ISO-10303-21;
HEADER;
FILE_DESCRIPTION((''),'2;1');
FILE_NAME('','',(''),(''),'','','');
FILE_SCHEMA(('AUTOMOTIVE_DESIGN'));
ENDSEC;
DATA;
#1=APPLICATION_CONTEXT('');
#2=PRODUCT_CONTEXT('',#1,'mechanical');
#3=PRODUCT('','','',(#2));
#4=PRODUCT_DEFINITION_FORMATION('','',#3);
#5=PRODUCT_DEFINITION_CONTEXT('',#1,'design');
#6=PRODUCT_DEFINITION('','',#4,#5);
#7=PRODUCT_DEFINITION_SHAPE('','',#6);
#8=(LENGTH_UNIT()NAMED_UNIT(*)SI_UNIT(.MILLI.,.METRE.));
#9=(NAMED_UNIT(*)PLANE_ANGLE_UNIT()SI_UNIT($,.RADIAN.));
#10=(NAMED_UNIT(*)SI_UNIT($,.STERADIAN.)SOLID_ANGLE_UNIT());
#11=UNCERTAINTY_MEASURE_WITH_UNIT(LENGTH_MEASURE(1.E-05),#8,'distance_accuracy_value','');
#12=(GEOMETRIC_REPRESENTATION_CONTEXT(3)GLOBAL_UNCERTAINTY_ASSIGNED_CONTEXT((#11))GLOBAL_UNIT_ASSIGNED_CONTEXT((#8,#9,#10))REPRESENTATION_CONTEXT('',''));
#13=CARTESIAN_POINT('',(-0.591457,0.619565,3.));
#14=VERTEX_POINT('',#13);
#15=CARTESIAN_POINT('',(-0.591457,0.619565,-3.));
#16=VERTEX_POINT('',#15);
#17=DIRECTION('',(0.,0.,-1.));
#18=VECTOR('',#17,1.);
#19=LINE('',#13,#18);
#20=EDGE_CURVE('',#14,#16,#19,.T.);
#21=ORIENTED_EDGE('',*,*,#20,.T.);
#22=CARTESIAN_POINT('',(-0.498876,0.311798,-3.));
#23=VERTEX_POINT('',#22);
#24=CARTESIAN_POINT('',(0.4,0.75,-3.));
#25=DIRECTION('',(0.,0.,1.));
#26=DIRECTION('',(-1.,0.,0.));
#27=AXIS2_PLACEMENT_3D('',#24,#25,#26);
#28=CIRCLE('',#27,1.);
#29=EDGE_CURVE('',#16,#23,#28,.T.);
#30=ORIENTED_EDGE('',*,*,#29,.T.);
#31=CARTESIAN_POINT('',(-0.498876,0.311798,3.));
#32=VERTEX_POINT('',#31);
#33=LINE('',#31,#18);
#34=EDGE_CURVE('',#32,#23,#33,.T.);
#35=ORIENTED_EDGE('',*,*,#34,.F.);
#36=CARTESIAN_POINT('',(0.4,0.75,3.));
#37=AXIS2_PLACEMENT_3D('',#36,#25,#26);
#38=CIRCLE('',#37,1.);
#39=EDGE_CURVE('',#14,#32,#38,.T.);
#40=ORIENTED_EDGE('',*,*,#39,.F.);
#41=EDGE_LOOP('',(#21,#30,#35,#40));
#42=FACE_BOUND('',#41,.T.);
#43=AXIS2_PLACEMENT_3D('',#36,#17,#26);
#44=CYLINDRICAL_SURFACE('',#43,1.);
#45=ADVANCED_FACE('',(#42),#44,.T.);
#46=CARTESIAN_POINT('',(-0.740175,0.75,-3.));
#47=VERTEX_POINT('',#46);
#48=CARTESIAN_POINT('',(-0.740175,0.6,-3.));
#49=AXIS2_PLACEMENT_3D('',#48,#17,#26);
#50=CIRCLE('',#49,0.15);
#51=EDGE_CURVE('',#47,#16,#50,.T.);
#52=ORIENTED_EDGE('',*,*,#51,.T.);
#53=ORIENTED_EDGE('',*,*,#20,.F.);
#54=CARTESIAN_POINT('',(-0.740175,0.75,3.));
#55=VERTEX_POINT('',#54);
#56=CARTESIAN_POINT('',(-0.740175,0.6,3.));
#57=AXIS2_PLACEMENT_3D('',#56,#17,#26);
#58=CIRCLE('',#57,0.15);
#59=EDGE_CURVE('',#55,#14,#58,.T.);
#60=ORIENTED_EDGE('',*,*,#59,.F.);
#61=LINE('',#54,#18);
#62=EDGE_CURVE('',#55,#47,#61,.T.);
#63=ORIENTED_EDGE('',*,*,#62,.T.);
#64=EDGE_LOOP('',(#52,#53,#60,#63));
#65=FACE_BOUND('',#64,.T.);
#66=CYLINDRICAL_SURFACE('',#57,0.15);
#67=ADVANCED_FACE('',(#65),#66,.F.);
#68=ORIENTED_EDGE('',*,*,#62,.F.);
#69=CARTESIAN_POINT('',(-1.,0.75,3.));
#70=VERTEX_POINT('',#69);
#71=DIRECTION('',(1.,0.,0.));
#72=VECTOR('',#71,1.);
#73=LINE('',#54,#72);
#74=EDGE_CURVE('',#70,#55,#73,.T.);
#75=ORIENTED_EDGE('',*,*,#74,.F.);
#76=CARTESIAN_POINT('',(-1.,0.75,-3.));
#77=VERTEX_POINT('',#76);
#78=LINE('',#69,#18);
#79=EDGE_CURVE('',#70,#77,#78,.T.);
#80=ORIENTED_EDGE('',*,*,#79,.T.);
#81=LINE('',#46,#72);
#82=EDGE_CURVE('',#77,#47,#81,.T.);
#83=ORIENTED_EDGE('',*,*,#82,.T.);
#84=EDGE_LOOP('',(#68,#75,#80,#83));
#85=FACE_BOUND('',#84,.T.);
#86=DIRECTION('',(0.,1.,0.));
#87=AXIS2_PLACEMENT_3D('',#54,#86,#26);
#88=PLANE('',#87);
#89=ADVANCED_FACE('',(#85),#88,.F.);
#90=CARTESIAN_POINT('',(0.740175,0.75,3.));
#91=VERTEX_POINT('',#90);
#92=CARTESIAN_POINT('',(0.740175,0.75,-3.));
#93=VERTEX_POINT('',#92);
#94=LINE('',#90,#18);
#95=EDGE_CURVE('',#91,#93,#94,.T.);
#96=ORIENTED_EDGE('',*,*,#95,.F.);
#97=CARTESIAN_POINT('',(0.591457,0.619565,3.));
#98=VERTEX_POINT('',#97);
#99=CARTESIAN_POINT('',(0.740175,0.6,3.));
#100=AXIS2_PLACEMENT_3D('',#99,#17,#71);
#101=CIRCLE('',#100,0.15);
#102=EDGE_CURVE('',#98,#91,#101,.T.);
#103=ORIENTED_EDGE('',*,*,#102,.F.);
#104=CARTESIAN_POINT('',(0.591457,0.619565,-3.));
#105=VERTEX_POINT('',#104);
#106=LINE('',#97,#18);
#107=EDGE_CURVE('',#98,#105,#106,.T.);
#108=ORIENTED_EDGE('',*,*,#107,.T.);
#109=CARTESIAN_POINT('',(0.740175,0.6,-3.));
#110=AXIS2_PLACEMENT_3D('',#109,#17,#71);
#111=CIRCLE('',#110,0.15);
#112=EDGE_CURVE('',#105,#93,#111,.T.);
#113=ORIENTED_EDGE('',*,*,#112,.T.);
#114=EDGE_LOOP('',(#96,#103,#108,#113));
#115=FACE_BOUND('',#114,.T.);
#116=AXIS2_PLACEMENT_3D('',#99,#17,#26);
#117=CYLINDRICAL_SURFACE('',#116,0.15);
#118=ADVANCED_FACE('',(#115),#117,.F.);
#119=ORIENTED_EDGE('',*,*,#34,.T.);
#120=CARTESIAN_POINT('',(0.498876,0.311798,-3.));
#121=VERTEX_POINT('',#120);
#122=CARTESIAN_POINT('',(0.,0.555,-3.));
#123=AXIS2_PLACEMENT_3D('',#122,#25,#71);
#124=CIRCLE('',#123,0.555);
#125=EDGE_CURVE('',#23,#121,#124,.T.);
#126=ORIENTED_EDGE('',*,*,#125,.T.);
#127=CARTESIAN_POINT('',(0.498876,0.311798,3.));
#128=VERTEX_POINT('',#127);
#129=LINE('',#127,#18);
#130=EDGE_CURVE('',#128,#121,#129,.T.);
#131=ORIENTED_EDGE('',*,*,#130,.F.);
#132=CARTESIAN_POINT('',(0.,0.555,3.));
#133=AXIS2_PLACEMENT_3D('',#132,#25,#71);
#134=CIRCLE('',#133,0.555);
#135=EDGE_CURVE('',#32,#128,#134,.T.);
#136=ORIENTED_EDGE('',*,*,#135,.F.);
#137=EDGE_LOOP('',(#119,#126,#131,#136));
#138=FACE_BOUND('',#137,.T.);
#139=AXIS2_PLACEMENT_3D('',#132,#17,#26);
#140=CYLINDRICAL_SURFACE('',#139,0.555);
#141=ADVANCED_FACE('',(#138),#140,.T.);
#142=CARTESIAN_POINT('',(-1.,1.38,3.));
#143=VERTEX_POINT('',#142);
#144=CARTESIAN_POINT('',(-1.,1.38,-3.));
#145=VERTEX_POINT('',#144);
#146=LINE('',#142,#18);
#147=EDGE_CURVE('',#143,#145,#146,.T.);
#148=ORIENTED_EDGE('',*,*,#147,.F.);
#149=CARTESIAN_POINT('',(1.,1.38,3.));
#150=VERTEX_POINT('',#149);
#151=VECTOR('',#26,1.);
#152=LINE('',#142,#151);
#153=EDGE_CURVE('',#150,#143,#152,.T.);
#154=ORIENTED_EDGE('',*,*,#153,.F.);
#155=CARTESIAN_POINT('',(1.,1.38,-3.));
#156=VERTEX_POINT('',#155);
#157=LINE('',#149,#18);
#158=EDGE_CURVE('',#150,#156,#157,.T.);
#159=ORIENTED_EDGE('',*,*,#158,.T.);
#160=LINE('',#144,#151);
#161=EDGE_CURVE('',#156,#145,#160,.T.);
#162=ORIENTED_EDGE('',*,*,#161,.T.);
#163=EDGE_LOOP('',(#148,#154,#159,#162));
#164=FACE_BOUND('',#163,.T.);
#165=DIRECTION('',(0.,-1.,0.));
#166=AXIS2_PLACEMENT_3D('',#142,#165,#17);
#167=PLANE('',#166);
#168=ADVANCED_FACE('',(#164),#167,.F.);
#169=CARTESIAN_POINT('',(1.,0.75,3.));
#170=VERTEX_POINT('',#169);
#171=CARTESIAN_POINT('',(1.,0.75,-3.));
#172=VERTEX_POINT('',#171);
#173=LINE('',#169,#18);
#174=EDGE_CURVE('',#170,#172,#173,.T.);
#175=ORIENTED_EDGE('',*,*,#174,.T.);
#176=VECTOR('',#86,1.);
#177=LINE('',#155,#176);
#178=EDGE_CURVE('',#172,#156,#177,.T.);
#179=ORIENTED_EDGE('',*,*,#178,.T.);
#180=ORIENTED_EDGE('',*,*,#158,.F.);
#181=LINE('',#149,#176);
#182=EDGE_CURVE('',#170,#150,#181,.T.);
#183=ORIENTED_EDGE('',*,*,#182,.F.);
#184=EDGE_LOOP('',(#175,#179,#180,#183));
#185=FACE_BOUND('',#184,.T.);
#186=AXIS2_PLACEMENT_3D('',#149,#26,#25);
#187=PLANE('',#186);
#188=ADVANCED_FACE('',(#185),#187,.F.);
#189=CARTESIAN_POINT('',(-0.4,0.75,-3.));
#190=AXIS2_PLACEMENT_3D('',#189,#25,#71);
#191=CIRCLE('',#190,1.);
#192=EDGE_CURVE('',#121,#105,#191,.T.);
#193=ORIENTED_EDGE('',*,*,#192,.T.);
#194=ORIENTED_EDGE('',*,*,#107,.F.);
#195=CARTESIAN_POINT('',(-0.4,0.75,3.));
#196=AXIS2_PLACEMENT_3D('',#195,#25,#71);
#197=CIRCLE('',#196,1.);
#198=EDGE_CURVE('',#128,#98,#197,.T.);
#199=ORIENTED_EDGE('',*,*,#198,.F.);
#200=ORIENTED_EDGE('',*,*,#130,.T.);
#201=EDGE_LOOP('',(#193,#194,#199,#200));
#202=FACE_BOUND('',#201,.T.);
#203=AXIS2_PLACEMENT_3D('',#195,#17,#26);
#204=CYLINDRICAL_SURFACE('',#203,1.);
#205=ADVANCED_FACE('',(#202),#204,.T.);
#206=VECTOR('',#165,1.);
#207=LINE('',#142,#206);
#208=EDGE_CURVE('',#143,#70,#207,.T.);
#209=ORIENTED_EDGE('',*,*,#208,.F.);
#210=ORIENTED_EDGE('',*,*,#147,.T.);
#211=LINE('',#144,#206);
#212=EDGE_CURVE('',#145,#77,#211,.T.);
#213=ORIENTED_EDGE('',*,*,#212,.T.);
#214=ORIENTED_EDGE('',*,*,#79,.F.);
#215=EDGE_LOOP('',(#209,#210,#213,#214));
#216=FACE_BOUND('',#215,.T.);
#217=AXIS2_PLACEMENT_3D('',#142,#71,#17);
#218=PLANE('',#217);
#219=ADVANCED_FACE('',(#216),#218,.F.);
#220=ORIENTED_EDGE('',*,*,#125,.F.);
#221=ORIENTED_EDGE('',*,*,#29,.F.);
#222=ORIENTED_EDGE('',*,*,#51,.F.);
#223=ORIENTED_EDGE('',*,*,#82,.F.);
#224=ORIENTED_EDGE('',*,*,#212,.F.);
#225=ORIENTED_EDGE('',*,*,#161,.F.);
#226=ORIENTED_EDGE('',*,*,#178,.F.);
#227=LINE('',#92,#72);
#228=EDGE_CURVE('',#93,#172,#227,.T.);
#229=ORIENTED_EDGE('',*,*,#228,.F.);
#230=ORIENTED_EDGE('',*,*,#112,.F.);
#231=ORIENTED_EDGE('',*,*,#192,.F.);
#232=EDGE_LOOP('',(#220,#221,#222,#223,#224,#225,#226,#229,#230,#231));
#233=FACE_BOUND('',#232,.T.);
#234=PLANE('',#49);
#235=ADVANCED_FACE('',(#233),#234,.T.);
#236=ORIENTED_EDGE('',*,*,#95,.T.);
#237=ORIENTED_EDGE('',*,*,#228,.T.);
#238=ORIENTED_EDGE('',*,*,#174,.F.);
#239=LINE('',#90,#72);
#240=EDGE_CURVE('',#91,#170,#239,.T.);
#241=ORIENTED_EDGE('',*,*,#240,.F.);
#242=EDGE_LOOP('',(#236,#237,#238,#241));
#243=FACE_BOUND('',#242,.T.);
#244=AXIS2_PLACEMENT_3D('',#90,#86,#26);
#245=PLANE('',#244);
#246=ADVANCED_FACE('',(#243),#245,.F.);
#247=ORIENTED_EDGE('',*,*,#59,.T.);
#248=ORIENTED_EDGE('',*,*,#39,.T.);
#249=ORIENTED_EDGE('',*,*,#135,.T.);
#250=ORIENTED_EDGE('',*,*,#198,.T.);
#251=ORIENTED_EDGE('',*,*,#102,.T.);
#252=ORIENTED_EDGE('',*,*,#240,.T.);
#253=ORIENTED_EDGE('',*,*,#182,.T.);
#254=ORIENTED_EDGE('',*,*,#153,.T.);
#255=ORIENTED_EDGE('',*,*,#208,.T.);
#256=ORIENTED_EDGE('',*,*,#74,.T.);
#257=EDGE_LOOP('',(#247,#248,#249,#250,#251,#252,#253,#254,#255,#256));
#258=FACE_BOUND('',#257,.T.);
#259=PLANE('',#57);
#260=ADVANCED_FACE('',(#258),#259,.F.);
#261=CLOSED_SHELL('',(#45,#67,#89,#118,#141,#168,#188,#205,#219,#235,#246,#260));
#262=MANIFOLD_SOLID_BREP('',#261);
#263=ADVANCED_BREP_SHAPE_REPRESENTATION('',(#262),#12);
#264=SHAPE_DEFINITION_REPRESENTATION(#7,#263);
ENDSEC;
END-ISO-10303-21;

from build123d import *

# Parameters (mm, degrees)
ESTRUSIONE_ESTRUSIONE1_DEPTH = 3


with BuildPart() as part:
    # Schizzo1 → Estrusione-Estrusione1 (new, symmetric)
    with BuildSketch(Plane.XY):
        with BuildLine():
            Line((0.740175425, 0.75), (1, 0.75))
            Line((1, 0.75), (1, 1.38))
            Line((1, 1.38), (-1, 1.38))
            Line((-1, 1.38), (-1, 0.75))
            Line((-1, 0.75), (-0.740175425, 0.75))
            ThreePointArc((-0.740175425, 0.75), (-0.641268354, 0.712771412), (-0.591456891, 0.619565217))
            ThreePointArc((-0.591456891, 0.619565217), (-0.557611714, 0.461937846), (-0.498876404, 0.311797753))
            ThreePointArc((-0.498876404, 0.311797753), (0, 0), (0.498876404, 0.311797753))
            ThreePointArc((0.498876404, 0.311797753), (0.557611714, 0.461937846), (0.591456891, 0.619565217))
            ThreePointArc((0.591456891, 0.619565217), (0.641268354, 0.712771412), (0.740175425, 0.75))
        make_face()
    extrude(amount=ESTRUSIONE_ESTRUSIONE1_DEPTH, both=True)


solid = part.part
